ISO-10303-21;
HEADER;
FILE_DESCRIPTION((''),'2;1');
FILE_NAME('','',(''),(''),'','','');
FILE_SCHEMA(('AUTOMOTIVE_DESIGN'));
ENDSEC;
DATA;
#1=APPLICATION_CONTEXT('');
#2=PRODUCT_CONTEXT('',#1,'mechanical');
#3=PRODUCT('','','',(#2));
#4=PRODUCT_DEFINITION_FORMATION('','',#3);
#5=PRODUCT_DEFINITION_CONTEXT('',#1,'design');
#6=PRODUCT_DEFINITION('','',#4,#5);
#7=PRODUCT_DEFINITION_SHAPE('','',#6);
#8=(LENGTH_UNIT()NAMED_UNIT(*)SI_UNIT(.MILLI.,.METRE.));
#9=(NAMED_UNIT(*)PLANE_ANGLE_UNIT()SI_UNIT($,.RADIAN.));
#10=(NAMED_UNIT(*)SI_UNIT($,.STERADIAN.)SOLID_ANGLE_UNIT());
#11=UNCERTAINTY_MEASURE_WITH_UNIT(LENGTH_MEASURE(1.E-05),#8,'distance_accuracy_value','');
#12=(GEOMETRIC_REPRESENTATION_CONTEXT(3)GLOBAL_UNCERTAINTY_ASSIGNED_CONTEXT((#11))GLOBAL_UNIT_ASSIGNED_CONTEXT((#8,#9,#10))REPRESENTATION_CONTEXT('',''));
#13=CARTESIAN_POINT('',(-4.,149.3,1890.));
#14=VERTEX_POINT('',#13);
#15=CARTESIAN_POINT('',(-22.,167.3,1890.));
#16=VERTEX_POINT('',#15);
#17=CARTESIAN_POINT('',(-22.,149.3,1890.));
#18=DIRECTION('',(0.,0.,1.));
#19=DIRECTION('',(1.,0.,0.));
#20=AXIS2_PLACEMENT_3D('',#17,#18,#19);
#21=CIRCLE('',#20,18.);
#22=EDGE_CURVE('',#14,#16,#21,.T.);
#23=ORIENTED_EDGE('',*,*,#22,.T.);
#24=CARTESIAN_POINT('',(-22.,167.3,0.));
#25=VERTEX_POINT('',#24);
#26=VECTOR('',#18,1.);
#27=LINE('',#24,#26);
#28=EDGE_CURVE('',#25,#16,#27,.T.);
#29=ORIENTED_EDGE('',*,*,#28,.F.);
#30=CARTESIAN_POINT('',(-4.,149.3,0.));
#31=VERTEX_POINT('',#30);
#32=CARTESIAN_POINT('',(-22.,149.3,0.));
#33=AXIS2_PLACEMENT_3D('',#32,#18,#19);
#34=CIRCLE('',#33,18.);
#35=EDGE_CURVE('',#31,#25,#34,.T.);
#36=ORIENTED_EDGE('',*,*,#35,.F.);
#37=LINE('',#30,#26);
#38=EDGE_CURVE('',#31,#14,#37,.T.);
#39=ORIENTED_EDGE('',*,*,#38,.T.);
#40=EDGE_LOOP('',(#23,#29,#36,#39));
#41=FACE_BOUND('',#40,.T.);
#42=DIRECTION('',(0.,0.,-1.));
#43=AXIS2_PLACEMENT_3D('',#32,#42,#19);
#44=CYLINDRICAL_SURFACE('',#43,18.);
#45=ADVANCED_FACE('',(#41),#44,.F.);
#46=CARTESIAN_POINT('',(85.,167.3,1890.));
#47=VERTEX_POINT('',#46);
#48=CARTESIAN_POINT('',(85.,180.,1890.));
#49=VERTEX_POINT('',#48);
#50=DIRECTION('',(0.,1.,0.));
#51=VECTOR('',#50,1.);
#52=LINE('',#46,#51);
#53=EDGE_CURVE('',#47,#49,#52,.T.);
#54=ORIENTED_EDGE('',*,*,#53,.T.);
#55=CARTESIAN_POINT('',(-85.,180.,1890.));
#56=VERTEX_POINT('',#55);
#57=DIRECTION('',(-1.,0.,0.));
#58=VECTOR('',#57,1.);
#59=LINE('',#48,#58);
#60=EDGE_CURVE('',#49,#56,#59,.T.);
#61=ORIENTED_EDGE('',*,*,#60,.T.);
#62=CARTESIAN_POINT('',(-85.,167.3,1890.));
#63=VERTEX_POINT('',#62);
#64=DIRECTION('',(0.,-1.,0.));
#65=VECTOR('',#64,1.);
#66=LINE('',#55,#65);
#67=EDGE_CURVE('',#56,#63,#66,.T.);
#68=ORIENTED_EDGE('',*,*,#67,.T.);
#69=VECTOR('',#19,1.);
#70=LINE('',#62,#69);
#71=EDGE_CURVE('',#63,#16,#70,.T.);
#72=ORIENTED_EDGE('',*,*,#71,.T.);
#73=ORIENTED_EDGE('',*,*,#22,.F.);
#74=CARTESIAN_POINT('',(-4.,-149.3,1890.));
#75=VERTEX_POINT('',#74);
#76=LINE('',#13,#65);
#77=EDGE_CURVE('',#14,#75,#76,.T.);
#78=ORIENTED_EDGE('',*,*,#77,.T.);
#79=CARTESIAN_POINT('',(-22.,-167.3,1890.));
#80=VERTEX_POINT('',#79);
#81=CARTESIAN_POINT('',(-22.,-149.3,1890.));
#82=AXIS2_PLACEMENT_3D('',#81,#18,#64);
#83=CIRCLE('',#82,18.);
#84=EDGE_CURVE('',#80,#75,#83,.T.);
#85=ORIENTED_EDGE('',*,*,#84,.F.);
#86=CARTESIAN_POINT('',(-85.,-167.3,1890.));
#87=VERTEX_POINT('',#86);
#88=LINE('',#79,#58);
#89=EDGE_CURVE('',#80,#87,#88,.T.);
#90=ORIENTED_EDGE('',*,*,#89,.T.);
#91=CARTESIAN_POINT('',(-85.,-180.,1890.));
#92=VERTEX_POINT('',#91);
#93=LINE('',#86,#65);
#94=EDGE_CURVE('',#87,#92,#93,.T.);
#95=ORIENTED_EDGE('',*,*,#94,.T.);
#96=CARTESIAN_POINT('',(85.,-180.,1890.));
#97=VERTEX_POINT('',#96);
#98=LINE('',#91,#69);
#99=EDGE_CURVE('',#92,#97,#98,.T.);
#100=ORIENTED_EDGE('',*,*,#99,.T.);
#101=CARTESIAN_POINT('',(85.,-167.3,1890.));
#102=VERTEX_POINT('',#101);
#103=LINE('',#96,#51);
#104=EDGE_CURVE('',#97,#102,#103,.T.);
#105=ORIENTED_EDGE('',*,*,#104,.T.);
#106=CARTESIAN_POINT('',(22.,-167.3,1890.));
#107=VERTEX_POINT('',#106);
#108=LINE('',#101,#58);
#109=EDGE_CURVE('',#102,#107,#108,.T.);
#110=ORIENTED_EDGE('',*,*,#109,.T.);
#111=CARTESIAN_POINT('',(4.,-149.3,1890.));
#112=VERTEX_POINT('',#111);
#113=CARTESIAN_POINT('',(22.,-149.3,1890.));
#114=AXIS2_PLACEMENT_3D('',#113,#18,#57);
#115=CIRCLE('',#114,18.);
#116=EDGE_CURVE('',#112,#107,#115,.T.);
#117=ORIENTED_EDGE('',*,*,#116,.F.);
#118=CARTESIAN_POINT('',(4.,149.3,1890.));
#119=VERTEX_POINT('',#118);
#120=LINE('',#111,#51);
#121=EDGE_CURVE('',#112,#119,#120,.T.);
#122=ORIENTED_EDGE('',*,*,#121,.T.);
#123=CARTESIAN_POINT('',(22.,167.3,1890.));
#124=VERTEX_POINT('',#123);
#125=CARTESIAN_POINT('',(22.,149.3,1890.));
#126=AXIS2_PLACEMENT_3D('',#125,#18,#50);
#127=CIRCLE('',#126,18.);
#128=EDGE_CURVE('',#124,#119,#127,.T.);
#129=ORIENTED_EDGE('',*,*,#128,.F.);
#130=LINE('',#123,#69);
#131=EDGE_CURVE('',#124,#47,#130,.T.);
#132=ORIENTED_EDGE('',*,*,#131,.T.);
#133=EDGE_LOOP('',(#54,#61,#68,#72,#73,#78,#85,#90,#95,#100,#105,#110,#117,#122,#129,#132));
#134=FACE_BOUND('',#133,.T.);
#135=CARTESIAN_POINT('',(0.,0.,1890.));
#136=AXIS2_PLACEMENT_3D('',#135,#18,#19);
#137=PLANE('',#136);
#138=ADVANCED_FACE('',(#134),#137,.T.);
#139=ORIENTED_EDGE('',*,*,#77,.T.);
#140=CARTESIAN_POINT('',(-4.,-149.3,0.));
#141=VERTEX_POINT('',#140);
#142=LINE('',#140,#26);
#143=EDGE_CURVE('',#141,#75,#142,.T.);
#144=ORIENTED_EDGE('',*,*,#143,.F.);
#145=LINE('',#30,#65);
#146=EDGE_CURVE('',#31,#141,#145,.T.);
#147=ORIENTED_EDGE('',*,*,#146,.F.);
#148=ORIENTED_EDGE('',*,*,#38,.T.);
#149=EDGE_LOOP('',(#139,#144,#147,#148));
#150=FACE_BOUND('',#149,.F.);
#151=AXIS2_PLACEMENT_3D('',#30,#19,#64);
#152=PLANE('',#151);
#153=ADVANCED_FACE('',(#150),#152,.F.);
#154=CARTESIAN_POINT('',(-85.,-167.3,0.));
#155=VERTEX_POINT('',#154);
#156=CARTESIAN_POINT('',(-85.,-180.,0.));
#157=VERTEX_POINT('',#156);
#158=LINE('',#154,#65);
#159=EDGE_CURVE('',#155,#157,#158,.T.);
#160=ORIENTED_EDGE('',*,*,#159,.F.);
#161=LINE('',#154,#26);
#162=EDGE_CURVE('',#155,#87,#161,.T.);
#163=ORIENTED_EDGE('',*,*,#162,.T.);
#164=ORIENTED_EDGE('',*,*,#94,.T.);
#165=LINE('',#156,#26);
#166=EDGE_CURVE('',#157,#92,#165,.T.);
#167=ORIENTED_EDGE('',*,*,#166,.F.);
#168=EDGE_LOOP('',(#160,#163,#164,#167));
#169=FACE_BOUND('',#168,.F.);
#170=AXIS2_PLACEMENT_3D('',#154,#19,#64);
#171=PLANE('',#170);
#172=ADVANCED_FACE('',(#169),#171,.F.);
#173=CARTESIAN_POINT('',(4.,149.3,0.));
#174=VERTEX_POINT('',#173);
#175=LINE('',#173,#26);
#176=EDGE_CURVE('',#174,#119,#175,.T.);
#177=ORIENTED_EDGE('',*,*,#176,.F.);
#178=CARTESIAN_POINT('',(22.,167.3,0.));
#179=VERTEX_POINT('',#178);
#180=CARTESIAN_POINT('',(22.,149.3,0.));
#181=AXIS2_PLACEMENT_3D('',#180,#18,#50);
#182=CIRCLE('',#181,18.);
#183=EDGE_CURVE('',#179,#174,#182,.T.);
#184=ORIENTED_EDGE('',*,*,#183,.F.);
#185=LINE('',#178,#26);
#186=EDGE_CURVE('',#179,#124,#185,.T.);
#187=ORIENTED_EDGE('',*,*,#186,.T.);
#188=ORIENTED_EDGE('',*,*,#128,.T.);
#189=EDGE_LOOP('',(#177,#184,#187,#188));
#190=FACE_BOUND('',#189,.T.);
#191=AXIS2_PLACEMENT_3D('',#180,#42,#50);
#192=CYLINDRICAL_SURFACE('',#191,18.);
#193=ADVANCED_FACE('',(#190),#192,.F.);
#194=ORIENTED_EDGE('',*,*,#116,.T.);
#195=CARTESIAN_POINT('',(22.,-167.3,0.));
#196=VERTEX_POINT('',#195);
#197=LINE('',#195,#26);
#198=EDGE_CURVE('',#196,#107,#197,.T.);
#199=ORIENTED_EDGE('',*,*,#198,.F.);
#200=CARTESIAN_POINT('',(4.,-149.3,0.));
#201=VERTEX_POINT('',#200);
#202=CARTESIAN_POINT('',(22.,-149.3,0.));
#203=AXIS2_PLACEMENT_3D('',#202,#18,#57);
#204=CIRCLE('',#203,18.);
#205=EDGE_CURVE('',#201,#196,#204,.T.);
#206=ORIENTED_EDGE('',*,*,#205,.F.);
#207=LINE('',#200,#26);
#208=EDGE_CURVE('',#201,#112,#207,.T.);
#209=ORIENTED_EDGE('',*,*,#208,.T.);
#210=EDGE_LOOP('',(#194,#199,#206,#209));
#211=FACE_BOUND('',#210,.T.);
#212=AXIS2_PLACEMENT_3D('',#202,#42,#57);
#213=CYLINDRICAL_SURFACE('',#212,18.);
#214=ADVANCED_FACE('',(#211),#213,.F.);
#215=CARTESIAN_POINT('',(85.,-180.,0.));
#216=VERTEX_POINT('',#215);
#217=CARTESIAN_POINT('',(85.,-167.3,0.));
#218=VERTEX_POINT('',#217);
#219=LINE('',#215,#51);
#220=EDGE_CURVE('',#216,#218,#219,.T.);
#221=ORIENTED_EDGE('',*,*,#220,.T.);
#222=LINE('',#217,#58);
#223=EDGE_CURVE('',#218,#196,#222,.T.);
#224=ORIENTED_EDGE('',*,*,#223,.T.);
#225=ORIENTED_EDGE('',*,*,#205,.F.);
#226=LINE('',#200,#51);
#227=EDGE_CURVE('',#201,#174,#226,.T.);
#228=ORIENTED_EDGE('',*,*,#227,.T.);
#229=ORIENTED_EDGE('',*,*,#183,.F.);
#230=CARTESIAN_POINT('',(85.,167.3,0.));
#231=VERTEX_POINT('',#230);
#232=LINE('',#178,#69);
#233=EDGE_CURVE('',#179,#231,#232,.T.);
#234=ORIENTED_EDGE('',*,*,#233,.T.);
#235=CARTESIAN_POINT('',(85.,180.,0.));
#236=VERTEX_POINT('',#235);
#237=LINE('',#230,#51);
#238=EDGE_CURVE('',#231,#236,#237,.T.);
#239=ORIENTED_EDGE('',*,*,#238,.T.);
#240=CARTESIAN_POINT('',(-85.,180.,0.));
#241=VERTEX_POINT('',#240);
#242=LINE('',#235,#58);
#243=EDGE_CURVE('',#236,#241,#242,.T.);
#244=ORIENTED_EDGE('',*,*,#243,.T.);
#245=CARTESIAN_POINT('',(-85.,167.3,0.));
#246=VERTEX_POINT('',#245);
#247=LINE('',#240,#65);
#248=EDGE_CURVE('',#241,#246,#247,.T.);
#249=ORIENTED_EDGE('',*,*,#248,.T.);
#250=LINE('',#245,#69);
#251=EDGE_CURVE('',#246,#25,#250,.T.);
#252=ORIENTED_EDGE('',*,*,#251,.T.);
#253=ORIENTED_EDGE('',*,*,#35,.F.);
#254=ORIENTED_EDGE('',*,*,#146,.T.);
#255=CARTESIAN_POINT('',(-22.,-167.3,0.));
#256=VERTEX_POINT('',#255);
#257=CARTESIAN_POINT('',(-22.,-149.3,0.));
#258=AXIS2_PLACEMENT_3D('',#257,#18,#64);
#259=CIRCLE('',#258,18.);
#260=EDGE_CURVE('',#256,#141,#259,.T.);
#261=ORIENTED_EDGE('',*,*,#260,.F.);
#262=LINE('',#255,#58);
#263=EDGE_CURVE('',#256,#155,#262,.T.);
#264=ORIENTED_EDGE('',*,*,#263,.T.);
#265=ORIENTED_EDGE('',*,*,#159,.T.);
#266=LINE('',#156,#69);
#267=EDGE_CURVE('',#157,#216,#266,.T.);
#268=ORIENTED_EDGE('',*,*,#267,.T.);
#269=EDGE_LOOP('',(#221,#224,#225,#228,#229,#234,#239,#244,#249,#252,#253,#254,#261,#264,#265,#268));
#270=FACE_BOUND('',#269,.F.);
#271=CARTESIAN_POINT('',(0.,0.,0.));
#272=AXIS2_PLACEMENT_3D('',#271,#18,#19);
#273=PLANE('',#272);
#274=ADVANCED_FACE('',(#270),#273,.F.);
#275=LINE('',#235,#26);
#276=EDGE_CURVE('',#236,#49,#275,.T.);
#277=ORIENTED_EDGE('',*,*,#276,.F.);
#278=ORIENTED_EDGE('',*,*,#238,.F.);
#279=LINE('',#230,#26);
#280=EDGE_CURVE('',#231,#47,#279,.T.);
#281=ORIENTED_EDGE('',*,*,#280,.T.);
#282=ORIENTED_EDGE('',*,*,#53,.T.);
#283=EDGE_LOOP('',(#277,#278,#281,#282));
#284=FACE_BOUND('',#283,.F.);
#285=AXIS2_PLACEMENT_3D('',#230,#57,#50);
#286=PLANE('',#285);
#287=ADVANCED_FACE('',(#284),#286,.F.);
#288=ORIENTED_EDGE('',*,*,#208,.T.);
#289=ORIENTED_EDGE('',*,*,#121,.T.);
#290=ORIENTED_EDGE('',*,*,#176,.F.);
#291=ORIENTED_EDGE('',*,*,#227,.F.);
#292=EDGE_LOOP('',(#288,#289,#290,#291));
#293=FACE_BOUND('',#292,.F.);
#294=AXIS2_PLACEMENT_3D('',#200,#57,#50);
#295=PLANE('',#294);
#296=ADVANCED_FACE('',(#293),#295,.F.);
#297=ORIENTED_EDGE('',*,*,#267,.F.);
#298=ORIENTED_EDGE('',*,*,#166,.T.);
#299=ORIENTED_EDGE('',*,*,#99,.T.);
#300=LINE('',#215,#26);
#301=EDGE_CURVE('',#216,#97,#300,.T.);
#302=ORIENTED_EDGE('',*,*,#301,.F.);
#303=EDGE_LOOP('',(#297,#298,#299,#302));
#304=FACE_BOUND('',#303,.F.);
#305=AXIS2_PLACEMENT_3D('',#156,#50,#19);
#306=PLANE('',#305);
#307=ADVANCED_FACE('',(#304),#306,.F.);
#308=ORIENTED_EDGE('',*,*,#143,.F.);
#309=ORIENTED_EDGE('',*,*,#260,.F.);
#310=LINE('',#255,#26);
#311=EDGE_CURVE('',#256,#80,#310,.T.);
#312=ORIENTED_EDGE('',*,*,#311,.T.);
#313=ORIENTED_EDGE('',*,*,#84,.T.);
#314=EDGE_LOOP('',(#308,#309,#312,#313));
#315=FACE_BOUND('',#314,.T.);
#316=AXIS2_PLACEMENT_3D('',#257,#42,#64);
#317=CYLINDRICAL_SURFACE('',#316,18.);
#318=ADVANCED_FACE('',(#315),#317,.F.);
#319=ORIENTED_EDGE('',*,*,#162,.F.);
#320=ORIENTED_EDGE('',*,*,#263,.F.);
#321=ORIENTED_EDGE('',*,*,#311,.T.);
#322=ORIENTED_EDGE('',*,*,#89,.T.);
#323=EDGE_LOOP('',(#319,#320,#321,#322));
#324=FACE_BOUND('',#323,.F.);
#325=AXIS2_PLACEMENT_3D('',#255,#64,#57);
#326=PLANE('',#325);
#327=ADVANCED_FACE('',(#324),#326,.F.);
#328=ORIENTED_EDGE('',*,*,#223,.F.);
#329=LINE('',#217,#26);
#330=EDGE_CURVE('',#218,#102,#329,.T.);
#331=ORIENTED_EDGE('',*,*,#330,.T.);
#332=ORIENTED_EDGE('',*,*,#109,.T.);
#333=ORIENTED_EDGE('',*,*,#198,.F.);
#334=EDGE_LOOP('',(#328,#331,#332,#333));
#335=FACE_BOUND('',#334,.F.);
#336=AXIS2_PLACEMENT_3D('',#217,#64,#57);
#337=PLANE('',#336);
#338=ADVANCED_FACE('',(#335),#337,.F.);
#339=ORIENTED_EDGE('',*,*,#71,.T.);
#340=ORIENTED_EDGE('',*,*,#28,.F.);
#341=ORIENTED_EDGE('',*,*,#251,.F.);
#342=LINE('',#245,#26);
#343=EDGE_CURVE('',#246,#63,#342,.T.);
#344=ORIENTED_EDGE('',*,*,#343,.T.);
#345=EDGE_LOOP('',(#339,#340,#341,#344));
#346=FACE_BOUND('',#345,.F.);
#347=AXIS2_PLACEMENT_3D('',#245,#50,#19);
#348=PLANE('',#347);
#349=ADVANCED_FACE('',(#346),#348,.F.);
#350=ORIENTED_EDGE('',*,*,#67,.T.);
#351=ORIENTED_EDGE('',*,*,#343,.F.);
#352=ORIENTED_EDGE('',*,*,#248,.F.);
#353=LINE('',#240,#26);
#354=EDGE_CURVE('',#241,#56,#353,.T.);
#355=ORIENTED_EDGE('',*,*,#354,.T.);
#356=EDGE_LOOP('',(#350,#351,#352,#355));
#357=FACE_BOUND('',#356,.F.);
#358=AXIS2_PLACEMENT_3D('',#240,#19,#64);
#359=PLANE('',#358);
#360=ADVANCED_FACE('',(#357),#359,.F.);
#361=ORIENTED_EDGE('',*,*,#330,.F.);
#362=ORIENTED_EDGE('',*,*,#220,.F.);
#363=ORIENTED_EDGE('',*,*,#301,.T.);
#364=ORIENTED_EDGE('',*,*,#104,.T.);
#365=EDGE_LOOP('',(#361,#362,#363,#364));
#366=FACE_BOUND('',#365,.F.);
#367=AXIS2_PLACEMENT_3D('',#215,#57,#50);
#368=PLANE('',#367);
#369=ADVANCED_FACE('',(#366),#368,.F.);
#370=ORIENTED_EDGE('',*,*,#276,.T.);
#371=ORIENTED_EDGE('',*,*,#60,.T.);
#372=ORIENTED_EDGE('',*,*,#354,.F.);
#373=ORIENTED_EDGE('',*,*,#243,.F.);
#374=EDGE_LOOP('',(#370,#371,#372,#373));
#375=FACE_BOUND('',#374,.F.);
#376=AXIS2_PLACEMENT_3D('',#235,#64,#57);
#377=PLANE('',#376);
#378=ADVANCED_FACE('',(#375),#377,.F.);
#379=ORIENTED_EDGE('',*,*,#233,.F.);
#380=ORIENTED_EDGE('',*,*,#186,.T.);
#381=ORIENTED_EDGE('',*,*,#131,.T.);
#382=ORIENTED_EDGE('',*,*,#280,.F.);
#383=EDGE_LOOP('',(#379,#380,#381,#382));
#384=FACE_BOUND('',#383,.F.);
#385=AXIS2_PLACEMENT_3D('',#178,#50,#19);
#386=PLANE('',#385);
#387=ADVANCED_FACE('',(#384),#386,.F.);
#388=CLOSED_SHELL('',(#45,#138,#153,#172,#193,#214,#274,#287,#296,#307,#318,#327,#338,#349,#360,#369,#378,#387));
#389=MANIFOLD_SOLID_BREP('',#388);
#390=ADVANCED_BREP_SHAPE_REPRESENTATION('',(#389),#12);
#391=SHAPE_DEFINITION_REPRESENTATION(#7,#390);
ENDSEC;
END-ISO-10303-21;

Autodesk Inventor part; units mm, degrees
ref_plane "Start Plane" through (0, 0, 0) normal (0, 0, 1) x (1, 0, 0)
ref_plane "End Plane" through (0, 0, 1890) normal (0, 0, 1) x (1, 0, 0)
sketch "Sketch" plane through (0, 0, 0) normal (0, 0, 1) x (1, 0, 0)
  line L0 (-85, 167.3) -> (-22, 167.3)
  line L1 (-85, 180) -> (-85, 167.3)
  line L2 (85, 180) -> (-85, 180)
  line L3 (85, 167.3) -> (85, 180)
  line L4 (22, 167.3) -> (85, 167.3)
  line L5 (4, -149.3) -> (4, 149.3)
  line L6 (85, -167.3) -> (22, -167.3)
  line L7 (85, -180) -> (85, -167.3)
  line L8 (-85, -167.3) -> (-85, -180)
  line L9 (-22, -167.3) -> (-85, -167.3)
  line L10 (-4, 149.3) -> (-4, -149.3)
  line L11 (0, -252) -> (0, 252) construction
  line L12 (-4, -167.3) -> (4, -167.3) construction
  arc A0 (-22, -167.3) -> (-4, -149.3) centre (-22, -149.3) ccw
  arc A1 (-4, 149.3) -> (-22, 167.3) centre (-22, 149.3) ccw
  arc A2 (22, 167.3) -> (4, 149.3) centre (22, 149.3) ccw
  arc A3 (4, -149.3) -> (22, -167.3) centre (22, -149.3) ccw
  line L13 (-119, 0) -> (119, 0) construction
  line L14 (-85, -180) -> (85, -180)
  point P0 (-4, 167.3)
  point P1 (4, 167.3)
  point P2 (0, 0)
  point P3 (0, -167.3)
  point P4 (0, 0)
  dimension "d1" = 360
  dimension "d3" = 12.7
  dimension "d5" = 8
  dimension "d7" = 170
  dimension "d13" = 18
  dimension "d14" = 180
  dimension "d15" = 85
extrude "Body" add sketch "Sketch" along normal up to surface (1890 mm away) from surface at 0
sketch "Sketch3" plane through (0, 0, 0) normal (0, 0, 1) x (1, 0, 0)
  line L0 (0, 0) -> (10, 0)
ref_plane "Work Plane3" through (0, 0, 0) normal (0, -1, 0) x (1, 0, 0)
ref_plane "Work Plane4" through (-55, -1320, 1890) normal (0, 0, 1) x (1, 0, 0)
split "Split1" plane through (-55, -1320, 1890) removes the side toward (0, 0, 1)
sketch "Sketch4" plane through (0, 0, 0) normal (0, -1, 0) x (1, 0, 0)
  line L0 (-2, 0) -> (12, 0) projected
  line L1 (-2, 1890) -> (12, 1890) projected
  dimension "d19" = 1890
equation "\"d1\" = ParH"
equation "\"d3\" = t2"
equation "\"d5\" = t1"
equation "\"d7\" = b"
equation "\"d13\" = R1"
equation "\"d14\" = 0.5 * d1"
equation "\"d15\" = 0.5 * d7"
equation "\"d8\" = G_L"
equation "\"b\" = 170"
equation "\"ParH\" = 360"
equation "\"R1\" = 18"
equation "\"G_L\" = d19"
equation "\"t1\" = 8"
equation "\"t2\" = 12.7"
equation "\"G_OFFSET_START\" = 0"
properties part number "DIN 1025 - IPE 360-1890" material "Steel, Mild"
